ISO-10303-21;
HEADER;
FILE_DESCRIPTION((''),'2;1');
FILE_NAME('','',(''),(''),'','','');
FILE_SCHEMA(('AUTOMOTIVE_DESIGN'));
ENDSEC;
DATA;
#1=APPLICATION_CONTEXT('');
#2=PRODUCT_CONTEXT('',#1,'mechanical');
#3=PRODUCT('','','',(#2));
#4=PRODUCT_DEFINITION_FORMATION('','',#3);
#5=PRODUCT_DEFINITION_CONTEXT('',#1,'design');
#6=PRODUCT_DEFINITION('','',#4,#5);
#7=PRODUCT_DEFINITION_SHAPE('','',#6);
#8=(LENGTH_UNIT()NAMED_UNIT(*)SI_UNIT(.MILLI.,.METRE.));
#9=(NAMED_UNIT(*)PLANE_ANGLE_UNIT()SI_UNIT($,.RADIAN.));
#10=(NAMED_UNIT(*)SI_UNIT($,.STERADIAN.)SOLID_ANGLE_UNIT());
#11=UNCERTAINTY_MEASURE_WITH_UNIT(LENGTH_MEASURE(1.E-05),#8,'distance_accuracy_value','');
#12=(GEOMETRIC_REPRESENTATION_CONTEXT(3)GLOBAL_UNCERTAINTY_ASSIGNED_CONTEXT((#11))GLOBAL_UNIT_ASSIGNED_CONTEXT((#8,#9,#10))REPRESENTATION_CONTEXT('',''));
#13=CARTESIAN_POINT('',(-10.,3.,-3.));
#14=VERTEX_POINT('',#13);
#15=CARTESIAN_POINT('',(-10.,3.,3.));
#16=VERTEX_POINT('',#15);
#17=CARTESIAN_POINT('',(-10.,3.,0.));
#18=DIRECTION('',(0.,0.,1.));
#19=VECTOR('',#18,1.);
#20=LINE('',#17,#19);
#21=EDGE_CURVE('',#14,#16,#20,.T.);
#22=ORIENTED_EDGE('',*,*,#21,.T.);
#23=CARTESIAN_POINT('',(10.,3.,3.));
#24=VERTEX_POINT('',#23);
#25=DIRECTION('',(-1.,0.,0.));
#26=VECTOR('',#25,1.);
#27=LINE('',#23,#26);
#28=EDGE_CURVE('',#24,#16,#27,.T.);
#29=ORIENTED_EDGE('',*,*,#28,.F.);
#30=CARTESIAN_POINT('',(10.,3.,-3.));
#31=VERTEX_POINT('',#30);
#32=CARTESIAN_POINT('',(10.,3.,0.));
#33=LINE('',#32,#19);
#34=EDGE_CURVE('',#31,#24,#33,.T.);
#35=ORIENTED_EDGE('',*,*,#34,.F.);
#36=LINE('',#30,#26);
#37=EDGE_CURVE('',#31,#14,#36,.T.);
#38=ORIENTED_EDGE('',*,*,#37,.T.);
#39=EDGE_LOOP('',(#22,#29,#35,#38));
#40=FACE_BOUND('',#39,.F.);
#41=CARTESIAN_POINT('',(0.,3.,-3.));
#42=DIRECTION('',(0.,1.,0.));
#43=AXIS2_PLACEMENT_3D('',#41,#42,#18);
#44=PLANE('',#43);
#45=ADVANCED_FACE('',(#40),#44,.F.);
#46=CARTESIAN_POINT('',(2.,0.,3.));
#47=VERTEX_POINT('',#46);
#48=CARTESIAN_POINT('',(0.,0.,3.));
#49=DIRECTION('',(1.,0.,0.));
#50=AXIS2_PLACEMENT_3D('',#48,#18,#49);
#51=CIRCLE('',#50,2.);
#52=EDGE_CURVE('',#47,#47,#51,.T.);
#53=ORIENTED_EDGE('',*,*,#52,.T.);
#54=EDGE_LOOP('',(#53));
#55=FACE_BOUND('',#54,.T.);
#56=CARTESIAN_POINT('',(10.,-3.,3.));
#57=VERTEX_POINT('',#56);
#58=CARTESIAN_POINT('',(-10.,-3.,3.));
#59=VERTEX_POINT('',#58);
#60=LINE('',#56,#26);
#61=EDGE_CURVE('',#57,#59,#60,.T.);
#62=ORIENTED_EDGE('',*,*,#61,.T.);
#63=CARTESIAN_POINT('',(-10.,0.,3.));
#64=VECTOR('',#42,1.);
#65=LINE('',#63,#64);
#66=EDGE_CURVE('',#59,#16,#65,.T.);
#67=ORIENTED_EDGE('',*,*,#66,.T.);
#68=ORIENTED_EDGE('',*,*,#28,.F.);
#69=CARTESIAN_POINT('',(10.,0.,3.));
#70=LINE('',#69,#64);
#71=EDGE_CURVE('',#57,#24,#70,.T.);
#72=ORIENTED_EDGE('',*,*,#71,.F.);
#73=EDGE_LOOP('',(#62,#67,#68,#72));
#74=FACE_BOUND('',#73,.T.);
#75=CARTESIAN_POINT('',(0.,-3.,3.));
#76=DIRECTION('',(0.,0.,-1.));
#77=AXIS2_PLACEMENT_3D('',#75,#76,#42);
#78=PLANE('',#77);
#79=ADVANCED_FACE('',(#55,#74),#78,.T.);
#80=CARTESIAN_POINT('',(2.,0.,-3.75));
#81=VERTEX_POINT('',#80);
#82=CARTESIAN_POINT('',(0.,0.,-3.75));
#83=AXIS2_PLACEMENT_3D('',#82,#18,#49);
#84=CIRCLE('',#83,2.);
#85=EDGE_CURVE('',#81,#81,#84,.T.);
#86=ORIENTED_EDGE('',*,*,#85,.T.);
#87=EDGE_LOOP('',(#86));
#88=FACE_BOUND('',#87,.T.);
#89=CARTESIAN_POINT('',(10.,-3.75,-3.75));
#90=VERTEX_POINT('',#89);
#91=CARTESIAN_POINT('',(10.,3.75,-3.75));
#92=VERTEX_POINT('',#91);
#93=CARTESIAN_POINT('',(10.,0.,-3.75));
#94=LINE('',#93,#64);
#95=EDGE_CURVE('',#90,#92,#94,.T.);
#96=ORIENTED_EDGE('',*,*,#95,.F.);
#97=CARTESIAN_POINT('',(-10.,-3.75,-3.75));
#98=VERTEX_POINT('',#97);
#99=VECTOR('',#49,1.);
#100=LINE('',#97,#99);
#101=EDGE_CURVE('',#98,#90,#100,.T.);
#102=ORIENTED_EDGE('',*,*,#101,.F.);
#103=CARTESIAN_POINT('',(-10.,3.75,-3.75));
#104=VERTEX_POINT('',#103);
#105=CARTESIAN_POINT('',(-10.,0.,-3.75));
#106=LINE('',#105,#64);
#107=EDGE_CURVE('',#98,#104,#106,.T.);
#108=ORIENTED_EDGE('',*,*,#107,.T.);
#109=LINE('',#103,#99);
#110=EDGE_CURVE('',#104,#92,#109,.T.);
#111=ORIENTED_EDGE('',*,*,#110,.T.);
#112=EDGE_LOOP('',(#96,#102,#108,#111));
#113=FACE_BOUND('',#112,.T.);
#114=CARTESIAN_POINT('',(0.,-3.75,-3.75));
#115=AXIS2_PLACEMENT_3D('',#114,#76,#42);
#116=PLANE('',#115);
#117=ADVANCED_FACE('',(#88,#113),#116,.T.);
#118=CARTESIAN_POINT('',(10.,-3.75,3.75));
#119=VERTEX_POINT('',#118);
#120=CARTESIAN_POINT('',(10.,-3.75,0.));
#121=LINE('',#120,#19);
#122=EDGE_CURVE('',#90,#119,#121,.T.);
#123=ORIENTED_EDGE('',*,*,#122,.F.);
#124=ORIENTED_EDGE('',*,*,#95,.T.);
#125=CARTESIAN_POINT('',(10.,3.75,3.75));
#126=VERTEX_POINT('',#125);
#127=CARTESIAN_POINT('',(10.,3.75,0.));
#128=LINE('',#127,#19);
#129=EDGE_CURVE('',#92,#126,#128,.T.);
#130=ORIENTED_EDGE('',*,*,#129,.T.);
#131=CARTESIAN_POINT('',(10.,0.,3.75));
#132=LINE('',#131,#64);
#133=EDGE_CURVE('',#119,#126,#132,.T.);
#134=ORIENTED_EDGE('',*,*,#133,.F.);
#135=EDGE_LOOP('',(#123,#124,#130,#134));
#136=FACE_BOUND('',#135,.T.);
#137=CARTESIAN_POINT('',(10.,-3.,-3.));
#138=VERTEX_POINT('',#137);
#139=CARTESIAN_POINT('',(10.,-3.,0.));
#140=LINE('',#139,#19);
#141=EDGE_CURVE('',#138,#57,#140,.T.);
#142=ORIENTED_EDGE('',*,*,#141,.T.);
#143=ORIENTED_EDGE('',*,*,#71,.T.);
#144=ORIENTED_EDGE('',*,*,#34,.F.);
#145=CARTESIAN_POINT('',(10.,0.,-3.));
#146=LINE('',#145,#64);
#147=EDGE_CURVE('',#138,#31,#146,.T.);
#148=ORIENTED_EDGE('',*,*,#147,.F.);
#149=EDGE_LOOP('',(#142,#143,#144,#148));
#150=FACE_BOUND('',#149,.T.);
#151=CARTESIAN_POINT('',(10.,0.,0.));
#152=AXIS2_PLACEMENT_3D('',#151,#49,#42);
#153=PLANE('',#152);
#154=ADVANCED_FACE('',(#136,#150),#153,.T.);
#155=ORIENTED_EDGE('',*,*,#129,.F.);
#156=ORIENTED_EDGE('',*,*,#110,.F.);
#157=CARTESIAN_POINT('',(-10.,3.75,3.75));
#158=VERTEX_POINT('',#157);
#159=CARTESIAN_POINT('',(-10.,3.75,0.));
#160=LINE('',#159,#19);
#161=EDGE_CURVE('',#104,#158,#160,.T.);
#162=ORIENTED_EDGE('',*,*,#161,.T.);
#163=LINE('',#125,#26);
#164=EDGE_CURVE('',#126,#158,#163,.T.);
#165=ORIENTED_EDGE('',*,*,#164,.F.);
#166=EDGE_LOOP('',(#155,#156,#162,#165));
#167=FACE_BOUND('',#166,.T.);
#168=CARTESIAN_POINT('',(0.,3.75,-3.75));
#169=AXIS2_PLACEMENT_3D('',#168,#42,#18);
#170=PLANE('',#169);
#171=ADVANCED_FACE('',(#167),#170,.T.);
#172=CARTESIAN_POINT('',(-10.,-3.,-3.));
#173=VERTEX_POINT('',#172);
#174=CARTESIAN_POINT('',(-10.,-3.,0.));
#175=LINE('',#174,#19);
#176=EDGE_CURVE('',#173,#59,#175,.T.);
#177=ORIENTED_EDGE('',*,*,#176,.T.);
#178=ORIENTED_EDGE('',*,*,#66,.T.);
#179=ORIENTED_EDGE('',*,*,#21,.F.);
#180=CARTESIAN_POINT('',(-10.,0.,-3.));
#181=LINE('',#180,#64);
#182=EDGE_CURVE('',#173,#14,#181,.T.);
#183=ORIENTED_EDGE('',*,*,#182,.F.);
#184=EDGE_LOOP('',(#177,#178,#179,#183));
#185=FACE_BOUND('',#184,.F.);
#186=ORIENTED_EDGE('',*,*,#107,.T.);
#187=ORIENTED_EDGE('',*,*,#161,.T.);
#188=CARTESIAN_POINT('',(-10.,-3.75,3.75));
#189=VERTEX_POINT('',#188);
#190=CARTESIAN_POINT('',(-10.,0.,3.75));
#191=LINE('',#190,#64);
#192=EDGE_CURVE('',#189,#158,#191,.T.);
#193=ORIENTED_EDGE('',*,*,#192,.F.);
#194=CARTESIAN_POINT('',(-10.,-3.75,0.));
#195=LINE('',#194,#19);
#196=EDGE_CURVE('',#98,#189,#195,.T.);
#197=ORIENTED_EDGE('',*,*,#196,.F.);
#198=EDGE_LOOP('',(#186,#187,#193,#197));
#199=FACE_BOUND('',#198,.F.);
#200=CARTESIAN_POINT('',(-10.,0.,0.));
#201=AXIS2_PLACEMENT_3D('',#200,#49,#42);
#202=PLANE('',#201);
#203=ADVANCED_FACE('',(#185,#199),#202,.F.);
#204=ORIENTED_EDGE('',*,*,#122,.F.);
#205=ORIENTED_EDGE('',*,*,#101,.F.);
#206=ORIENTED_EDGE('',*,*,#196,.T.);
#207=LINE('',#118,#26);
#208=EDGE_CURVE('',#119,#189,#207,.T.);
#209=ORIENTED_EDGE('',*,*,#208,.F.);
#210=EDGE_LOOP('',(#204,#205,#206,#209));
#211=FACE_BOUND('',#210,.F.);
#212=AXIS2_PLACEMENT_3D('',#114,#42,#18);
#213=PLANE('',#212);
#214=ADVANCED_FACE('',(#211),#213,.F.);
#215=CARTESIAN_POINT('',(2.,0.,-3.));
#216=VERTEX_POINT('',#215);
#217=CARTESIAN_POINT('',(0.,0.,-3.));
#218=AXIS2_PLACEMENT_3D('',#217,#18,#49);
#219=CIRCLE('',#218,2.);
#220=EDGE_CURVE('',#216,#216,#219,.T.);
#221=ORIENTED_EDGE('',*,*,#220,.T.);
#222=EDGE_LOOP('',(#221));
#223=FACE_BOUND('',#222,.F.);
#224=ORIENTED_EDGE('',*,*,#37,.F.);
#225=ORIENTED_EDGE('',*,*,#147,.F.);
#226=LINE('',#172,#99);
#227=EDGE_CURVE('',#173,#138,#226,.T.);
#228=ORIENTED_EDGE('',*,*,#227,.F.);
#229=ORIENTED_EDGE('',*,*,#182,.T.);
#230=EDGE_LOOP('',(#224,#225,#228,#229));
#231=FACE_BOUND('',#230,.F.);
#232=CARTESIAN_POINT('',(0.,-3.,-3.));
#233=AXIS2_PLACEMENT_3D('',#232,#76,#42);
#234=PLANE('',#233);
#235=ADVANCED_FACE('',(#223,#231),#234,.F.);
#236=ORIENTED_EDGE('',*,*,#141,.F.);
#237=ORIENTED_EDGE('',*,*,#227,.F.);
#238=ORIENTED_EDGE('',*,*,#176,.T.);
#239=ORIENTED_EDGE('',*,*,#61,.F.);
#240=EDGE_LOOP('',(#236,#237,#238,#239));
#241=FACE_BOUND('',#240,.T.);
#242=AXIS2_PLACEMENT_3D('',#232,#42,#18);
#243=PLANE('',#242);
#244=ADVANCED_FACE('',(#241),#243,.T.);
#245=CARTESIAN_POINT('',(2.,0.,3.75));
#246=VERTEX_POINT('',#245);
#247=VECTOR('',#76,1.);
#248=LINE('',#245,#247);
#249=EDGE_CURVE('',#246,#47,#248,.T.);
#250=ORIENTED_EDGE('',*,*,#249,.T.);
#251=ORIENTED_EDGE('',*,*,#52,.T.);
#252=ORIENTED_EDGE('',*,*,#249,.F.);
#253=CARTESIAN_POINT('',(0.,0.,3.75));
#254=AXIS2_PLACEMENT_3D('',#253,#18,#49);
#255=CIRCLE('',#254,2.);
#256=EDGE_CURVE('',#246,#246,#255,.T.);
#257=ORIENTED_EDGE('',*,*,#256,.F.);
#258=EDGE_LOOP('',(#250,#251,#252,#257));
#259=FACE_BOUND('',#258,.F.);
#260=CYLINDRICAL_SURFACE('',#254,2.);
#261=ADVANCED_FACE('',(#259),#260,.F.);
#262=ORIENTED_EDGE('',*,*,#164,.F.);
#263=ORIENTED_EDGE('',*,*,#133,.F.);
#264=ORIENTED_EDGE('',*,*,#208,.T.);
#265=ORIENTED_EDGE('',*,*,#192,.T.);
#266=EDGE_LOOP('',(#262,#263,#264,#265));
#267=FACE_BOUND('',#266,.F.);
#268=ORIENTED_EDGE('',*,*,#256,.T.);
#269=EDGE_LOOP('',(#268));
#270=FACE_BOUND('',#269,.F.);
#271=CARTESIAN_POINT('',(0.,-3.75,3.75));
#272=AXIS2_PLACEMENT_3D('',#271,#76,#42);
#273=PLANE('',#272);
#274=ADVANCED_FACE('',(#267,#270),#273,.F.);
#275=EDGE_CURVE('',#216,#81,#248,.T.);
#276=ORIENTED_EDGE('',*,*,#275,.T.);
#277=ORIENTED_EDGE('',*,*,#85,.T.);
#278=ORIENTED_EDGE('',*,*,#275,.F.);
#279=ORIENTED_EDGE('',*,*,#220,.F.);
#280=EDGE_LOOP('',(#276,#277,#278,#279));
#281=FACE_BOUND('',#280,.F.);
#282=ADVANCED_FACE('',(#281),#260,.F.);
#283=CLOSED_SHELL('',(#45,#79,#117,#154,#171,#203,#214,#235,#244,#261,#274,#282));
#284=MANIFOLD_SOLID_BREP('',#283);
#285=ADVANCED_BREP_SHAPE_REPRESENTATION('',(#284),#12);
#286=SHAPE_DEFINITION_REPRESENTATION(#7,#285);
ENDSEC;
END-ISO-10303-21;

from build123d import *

# Parameters (mm, degrees)
F0_W     = 7.5
F0_H     = 7.5
F0_W_2   = 6
F0_H_2   = 6
F1_DEPTH = 10
F2_R     = 2
F3_DEPTH = 25


with BuildPart() as f1:
    # F0 (on Right) → F1 (new body, symmetric)
    with BuildSketch(Plane.YZ):
        Rectangle(F0_W, F0_H)
        Rectangle(F0_W_2, F0_H_2, mode=Mode.SUBTRACT)
    extrude(amount=F1_DEPTH, both=True)

    # F2 (on face) → F3 (cut)
    with BuildSketch(Plane.XY.offset(3.75)):
        Circle(F2_R)
    extrude(amount=-F3_DEPTH, mode=Mode.SUBTRACT)


solid = f1.part
